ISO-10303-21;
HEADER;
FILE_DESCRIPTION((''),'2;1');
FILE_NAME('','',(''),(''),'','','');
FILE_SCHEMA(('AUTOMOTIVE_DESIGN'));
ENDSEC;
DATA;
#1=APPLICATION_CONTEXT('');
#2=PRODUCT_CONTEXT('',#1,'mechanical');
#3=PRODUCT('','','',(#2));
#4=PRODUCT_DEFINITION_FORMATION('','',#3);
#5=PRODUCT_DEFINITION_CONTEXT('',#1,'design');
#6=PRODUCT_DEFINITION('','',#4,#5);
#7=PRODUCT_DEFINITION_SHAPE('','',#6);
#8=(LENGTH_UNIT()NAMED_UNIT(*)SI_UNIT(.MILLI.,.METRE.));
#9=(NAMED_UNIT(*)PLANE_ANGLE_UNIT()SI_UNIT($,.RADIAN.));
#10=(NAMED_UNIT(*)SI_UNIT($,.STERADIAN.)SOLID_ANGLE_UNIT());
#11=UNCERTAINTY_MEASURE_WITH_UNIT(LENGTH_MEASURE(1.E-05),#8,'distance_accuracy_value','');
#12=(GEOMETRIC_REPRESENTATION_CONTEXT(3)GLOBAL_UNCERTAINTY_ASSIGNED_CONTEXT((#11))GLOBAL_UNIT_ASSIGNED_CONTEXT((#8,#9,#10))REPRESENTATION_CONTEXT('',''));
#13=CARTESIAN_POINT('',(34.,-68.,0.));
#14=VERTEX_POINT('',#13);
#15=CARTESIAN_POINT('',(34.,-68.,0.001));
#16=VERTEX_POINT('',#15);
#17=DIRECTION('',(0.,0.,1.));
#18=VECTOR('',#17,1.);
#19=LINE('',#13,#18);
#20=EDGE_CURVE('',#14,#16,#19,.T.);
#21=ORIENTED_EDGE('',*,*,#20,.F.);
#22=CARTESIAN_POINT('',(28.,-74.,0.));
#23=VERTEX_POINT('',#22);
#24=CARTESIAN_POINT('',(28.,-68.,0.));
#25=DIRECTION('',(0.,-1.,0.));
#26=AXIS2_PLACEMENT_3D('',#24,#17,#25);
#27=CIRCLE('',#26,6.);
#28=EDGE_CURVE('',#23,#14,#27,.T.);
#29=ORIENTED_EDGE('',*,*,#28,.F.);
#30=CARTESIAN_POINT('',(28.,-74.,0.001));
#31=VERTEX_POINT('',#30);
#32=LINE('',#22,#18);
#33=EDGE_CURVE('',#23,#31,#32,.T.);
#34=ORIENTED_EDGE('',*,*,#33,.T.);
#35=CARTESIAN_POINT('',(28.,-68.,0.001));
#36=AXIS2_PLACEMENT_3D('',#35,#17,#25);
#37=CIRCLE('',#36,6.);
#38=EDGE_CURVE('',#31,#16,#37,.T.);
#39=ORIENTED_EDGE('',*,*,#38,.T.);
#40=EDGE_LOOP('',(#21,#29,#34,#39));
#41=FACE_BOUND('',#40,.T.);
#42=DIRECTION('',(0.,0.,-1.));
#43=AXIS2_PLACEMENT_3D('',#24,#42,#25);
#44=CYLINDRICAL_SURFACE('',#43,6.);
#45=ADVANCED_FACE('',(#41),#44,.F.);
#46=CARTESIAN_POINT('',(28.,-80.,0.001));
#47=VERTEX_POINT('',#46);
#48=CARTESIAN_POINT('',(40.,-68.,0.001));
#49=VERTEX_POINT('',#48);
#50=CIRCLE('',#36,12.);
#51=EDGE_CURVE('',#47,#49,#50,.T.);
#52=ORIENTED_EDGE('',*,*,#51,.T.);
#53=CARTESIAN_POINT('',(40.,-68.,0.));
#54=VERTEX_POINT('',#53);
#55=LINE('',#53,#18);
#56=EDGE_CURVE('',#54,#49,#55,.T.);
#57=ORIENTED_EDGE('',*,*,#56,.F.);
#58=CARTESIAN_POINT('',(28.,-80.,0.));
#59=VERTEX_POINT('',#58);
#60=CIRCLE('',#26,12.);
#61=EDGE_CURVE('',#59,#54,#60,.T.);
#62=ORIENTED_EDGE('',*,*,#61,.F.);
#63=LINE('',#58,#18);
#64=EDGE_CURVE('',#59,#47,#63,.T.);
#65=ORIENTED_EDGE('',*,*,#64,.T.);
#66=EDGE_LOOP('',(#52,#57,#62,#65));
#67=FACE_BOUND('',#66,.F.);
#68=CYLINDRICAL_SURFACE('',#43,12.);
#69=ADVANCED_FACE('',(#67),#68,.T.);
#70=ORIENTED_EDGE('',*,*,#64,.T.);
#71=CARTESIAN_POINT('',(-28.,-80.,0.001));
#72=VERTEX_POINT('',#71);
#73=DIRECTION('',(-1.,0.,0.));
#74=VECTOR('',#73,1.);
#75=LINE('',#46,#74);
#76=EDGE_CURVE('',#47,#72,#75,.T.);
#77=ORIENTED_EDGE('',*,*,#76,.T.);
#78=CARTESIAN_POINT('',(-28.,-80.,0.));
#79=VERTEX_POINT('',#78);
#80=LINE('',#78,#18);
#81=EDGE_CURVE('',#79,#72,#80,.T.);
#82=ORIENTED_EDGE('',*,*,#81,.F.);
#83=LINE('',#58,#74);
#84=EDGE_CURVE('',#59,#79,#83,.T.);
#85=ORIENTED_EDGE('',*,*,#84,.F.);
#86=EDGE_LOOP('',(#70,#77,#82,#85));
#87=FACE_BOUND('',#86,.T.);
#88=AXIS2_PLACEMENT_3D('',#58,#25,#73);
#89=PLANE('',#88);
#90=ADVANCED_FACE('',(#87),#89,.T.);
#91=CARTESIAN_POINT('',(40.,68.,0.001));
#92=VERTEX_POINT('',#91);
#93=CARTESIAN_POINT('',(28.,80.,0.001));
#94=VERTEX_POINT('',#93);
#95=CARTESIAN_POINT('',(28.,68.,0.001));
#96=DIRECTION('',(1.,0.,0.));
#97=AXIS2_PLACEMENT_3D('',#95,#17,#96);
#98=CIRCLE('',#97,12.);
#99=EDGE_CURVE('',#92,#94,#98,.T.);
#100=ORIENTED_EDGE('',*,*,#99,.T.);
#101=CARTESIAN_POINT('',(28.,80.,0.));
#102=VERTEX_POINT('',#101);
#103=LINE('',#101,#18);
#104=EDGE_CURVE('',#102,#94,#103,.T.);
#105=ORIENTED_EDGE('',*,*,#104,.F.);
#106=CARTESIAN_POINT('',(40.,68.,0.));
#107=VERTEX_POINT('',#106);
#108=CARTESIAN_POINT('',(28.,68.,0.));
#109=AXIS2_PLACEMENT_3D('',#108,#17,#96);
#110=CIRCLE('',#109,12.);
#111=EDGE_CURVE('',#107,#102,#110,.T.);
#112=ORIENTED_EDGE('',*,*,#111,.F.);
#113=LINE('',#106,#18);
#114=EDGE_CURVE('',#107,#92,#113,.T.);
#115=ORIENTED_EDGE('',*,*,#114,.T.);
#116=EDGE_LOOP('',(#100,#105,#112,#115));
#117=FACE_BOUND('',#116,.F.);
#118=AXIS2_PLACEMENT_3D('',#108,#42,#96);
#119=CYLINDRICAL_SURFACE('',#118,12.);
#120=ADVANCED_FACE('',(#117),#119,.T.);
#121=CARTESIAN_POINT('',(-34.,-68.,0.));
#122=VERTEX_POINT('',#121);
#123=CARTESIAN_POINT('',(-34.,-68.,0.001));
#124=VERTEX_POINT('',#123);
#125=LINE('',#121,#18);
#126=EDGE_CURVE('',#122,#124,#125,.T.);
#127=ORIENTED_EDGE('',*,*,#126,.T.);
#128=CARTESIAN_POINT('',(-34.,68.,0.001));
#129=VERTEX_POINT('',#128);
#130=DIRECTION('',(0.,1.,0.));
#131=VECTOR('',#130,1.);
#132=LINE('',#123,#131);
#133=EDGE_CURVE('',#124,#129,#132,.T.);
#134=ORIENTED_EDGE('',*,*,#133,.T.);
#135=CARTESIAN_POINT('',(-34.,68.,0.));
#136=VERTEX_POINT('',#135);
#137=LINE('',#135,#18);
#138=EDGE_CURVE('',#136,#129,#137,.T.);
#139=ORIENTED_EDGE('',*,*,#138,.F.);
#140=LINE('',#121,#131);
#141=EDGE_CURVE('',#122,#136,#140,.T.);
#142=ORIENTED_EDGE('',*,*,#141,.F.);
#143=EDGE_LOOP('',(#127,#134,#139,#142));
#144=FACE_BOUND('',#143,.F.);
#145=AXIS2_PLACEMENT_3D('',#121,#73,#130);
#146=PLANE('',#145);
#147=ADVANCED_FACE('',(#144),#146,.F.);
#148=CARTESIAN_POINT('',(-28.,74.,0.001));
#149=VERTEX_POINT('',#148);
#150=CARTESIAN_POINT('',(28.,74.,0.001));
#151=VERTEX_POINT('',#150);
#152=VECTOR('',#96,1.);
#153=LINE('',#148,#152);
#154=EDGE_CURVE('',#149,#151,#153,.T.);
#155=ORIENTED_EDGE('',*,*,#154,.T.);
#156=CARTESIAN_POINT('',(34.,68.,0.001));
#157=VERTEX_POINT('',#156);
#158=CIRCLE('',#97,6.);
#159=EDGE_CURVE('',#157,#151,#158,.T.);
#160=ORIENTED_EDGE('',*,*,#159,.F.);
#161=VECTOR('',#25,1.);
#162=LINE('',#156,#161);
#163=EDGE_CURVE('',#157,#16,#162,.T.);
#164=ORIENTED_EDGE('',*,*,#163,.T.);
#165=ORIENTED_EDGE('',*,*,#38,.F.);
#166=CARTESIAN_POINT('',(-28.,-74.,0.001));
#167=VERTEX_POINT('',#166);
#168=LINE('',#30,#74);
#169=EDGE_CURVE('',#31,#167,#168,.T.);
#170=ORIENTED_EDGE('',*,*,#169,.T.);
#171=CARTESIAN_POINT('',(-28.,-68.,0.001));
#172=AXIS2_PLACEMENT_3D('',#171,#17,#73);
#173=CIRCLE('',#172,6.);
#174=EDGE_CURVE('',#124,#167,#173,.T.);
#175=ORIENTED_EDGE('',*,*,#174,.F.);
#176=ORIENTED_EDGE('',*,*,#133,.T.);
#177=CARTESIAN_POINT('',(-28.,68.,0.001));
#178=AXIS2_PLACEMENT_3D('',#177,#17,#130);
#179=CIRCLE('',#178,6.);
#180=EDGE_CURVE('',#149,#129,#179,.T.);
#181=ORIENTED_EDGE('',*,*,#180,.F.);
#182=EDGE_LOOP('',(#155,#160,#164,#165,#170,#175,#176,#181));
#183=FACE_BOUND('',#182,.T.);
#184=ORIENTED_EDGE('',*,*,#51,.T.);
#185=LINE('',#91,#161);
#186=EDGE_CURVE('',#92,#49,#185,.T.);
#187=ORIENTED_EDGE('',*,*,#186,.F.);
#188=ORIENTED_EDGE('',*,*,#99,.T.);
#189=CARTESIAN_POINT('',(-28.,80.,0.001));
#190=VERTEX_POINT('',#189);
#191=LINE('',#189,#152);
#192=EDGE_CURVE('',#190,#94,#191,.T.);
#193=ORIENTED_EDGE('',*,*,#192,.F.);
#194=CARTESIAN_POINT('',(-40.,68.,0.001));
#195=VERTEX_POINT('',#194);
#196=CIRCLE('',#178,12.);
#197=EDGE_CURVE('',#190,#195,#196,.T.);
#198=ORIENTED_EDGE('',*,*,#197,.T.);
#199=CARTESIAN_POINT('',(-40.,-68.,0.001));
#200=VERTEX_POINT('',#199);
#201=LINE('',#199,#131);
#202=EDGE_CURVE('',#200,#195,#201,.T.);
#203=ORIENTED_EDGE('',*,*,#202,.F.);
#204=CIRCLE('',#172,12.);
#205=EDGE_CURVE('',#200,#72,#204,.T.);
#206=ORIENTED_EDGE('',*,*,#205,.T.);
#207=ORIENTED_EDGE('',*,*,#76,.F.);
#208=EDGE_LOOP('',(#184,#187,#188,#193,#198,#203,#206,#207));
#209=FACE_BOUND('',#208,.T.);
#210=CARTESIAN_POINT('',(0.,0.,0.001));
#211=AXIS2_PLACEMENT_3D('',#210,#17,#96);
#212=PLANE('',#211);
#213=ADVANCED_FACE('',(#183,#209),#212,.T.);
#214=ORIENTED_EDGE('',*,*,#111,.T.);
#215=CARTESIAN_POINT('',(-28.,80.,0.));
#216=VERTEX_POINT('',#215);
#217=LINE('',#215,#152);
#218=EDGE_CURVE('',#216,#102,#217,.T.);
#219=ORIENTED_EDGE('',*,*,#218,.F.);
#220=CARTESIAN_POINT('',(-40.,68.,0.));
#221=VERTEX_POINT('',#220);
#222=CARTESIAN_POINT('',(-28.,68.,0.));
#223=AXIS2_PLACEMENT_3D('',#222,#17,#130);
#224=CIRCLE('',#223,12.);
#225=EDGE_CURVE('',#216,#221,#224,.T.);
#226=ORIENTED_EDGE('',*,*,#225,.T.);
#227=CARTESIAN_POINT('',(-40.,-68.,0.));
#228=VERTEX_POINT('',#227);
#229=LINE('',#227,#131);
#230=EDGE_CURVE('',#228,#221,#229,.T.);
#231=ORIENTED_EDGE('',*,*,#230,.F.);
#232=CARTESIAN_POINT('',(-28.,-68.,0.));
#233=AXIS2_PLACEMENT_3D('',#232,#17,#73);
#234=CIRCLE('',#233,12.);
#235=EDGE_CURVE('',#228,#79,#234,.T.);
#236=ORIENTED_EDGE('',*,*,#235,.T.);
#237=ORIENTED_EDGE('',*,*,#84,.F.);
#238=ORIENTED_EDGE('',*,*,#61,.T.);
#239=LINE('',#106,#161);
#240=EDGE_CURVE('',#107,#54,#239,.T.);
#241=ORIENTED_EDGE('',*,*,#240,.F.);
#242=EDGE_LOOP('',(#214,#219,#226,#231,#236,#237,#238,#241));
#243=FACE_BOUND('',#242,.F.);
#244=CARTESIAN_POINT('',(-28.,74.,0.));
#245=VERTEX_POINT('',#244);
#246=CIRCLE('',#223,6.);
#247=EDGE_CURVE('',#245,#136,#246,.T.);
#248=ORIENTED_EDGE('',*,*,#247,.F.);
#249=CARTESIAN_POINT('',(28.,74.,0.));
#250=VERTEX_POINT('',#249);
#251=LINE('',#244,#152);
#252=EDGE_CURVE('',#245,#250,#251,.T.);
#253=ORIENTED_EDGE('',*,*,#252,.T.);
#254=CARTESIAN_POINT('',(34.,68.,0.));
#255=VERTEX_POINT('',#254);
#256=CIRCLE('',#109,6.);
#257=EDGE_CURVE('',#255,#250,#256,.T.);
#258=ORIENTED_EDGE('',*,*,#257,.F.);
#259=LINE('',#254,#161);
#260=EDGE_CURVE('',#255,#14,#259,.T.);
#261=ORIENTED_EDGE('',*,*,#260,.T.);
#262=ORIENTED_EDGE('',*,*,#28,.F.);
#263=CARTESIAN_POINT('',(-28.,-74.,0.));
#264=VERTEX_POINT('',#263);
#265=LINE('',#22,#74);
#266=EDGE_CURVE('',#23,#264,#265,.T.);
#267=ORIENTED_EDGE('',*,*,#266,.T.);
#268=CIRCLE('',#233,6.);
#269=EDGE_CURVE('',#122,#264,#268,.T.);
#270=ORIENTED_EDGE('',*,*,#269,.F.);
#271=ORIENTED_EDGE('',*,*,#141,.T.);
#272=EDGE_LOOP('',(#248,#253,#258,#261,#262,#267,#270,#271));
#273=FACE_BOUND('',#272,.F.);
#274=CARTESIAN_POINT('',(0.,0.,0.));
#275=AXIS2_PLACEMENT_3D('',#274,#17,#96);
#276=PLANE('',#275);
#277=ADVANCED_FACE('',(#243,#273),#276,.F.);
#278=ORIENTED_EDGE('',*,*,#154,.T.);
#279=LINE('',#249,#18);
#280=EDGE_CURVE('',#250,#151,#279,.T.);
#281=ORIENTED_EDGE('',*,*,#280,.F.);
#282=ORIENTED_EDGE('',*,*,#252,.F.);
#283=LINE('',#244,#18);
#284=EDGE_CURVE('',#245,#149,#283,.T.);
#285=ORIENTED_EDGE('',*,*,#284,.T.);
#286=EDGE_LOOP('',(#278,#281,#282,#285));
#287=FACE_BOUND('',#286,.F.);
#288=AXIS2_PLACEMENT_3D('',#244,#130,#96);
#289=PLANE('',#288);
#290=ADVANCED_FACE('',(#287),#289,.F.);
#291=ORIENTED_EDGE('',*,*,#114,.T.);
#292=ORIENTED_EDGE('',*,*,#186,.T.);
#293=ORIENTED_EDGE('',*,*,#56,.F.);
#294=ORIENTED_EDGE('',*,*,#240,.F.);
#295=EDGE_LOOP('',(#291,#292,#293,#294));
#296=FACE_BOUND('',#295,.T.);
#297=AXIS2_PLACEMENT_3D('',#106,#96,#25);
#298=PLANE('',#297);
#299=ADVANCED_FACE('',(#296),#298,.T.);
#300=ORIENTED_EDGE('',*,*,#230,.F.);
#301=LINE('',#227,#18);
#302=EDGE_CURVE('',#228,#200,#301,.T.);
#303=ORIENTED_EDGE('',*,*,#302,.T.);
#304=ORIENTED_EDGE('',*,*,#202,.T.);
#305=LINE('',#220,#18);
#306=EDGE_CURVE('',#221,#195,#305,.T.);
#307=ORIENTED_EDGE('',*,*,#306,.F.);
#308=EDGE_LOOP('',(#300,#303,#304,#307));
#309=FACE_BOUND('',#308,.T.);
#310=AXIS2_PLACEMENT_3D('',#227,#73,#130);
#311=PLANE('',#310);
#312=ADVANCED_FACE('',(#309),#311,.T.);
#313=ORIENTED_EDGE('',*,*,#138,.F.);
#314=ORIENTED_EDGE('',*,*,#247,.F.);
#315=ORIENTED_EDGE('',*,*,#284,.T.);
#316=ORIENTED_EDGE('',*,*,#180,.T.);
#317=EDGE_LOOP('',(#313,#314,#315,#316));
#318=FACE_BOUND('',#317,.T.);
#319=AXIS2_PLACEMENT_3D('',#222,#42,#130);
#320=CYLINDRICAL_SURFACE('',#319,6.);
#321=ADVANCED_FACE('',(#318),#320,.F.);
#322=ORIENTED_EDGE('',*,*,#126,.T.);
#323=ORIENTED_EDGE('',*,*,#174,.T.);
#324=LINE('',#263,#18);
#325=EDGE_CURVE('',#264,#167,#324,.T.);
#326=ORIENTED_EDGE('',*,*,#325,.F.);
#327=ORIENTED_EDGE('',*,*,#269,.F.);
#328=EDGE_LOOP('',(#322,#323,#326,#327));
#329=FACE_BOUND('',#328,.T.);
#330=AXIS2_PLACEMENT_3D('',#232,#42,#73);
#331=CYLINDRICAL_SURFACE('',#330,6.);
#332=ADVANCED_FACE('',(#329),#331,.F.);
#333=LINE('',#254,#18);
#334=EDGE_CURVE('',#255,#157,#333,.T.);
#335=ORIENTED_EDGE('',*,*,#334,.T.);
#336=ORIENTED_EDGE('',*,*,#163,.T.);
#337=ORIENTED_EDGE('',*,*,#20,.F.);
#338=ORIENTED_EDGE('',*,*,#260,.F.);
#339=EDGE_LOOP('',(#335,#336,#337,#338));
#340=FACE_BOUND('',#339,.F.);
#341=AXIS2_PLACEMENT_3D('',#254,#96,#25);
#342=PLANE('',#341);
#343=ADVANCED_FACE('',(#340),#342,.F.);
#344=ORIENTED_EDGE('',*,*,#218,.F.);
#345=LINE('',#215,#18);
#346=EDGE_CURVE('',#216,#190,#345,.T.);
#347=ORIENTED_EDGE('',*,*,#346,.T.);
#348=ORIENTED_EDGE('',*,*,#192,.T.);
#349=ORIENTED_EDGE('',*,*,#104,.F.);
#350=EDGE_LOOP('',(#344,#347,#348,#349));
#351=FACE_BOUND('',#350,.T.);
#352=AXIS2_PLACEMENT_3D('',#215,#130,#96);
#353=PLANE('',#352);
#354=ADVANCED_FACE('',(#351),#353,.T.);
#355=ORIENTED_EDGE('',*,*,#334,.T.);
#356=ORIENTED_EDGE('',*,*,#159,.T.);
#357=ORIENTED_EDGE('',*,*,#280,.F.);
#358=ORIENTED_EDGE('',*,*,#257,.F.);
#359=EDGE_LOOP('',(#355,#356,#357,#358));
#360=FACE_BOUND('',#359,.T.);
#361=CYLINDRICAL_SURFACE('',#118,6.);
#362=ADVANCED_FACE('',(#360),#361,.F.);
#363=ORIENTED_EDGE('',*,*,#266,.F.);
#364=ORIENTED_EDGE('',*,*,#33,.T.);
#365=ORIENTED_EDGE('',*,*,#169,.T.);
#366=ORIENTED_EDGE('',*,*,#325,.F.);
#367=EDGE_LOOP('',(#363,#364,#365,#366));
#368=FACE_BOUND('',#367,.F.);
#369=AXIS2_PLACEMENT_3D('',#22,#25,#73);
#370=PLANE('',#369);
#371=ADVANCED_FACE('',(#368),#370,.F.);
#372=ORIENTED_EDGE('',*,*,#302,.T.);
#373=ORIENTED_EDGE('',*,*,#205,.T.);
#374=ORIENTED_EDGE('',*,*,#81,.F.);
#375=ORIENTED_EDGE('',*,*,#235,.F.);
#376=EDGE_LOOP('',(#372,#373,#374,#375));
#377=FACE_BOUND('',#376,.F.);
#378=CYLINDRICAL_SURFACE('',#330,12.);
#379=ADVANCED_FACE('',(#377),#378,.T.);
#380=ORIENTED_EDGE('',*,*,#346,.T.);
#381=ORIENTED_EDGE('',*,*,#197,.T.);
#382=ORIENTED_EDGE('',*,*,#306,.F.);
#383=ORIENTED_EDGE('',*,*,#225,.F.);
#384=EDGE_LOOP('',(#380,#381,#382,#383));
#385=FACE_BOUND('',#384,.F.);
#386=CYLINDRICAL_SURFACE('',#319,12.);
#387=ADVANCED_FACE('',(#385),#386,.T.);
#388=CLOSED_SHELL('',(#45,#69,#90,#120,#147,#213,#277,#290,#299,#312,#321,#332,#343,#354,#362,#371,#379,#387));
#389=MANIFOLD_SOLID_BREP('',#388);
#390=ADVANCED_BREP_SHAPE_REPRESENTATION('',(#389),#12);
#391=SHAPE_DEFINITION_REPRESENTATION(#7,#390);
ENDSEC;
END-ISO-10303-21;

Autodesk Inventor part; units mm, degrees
ref_plane "YZ Plane" through (0, 0, 0) normal (1, 0, 0) x (0, 1, 0)
ref_plane "Start plane" through (0, 0, 0) normal (0, 0, 1) x (1, 0, 0)
ref_plane "End plane" through (0, 0, 0.001) normal (0, 0, 1) x (1, 0, 0)
sketch "Sketch" plane through (0, 0, 0) normal (0, 0, 1) x (1, 0, 0)
  line L0 (-40, -68) -> (-40, 68)
  line L1 (-28, 80) -> (28, 80)
  line L2 (40, 68) -> (40, -68)
  line L3 (28, -80) -> (-28, -80)
  arc A0 (-40, -68) -> (-28, -80) centre (-28, -68) ccw
  arc A1 (-28, 80) -> (-40, 68) centre (-28, 68) ccw
  arc A2 (40, 68) -> (28, 80) centre (28, 68) ccw
  arc A3 (28, -80) -> (40, -68) centre (28, -68) ccw
  arc A4 (-28, 74) -> (-34, 68) centre (-28, 68) ccw
  line L4 (-28, 74) -> (28, 74)
  arc A5 (34, 68) -> (28, 74) centre (28, 68) ccw
  line L5 (34, 68) -> (34, -68)
  arc A6 (28, -74) -> (34, -68) centre (28, -68) ccw
  line L6 (28, -74) -> (-28, -74)
  arc A7 (-34, -68) -> (-28, -74) centre (-28, -68) ccw
  line L7 (-34, -68) -> (-34, 68)
  line L8 (0, 37.1021) -> (0, -37.1021) construction
  line L9 (-23.1021, 0) -> (23.1021, 0) construction
  dimension "d7" = 12
  dimension "d10" = 160
  dimension "d11" = 80
  dimension "d12" = 6
  dimension "d15" = 80
  dimension "d16" = 40
extrude "Body" add sketch "Sketch" along normal up to surface (0.001 mm away) from surface at 0
sketch "Sketch3" plane through (0, 0, 0) normal (0, 0, 1) x (1, 0, 0)
  line L0 (0, 0) -> (10, 0)
ref_plane "Work Plane3" through (0, 0, 0) normal (0, -1, 0) x (1, 0, 0)
sketch "Sketch4" plane through (0, 0, 0) normal (0, -1, 0) x (1, 0, 0)
  line L0 (-2, 0) -> (12, 0)
  line L1 (-2, 0.001) -> (12, 0.001)
  dimension "d18" = 0.001
equation "\"d7\" = G_IR"
equation "\"d10\" = G_H"
equation "\"d11\" = G_W"
equation "\"d12\" = G_T"
equation "\"d15\" = 0.5 * d10"
equation "\"d16\" = 0.5 * d11"
equation "\"d3\" = G_L"
equation "\"G_W\" = 80"
equation "\"G_H\" = 160"
equation "\"G_T\" = 6"
equation "\"G_IR\" = 12"
equation "\"G_L\" = d18"
equation "\"G_OFFSET_START\" = 0"
equation "\"G_OFFSET_END\" = 0"
equation "\"d14\" = G_OFFSET_END + B_L"
equation "\"B_L\" = 0.001"
properties part number "PN EN 10219-2 - 160 x 80 x 6  - 0,001" material "Steel, Mild"
